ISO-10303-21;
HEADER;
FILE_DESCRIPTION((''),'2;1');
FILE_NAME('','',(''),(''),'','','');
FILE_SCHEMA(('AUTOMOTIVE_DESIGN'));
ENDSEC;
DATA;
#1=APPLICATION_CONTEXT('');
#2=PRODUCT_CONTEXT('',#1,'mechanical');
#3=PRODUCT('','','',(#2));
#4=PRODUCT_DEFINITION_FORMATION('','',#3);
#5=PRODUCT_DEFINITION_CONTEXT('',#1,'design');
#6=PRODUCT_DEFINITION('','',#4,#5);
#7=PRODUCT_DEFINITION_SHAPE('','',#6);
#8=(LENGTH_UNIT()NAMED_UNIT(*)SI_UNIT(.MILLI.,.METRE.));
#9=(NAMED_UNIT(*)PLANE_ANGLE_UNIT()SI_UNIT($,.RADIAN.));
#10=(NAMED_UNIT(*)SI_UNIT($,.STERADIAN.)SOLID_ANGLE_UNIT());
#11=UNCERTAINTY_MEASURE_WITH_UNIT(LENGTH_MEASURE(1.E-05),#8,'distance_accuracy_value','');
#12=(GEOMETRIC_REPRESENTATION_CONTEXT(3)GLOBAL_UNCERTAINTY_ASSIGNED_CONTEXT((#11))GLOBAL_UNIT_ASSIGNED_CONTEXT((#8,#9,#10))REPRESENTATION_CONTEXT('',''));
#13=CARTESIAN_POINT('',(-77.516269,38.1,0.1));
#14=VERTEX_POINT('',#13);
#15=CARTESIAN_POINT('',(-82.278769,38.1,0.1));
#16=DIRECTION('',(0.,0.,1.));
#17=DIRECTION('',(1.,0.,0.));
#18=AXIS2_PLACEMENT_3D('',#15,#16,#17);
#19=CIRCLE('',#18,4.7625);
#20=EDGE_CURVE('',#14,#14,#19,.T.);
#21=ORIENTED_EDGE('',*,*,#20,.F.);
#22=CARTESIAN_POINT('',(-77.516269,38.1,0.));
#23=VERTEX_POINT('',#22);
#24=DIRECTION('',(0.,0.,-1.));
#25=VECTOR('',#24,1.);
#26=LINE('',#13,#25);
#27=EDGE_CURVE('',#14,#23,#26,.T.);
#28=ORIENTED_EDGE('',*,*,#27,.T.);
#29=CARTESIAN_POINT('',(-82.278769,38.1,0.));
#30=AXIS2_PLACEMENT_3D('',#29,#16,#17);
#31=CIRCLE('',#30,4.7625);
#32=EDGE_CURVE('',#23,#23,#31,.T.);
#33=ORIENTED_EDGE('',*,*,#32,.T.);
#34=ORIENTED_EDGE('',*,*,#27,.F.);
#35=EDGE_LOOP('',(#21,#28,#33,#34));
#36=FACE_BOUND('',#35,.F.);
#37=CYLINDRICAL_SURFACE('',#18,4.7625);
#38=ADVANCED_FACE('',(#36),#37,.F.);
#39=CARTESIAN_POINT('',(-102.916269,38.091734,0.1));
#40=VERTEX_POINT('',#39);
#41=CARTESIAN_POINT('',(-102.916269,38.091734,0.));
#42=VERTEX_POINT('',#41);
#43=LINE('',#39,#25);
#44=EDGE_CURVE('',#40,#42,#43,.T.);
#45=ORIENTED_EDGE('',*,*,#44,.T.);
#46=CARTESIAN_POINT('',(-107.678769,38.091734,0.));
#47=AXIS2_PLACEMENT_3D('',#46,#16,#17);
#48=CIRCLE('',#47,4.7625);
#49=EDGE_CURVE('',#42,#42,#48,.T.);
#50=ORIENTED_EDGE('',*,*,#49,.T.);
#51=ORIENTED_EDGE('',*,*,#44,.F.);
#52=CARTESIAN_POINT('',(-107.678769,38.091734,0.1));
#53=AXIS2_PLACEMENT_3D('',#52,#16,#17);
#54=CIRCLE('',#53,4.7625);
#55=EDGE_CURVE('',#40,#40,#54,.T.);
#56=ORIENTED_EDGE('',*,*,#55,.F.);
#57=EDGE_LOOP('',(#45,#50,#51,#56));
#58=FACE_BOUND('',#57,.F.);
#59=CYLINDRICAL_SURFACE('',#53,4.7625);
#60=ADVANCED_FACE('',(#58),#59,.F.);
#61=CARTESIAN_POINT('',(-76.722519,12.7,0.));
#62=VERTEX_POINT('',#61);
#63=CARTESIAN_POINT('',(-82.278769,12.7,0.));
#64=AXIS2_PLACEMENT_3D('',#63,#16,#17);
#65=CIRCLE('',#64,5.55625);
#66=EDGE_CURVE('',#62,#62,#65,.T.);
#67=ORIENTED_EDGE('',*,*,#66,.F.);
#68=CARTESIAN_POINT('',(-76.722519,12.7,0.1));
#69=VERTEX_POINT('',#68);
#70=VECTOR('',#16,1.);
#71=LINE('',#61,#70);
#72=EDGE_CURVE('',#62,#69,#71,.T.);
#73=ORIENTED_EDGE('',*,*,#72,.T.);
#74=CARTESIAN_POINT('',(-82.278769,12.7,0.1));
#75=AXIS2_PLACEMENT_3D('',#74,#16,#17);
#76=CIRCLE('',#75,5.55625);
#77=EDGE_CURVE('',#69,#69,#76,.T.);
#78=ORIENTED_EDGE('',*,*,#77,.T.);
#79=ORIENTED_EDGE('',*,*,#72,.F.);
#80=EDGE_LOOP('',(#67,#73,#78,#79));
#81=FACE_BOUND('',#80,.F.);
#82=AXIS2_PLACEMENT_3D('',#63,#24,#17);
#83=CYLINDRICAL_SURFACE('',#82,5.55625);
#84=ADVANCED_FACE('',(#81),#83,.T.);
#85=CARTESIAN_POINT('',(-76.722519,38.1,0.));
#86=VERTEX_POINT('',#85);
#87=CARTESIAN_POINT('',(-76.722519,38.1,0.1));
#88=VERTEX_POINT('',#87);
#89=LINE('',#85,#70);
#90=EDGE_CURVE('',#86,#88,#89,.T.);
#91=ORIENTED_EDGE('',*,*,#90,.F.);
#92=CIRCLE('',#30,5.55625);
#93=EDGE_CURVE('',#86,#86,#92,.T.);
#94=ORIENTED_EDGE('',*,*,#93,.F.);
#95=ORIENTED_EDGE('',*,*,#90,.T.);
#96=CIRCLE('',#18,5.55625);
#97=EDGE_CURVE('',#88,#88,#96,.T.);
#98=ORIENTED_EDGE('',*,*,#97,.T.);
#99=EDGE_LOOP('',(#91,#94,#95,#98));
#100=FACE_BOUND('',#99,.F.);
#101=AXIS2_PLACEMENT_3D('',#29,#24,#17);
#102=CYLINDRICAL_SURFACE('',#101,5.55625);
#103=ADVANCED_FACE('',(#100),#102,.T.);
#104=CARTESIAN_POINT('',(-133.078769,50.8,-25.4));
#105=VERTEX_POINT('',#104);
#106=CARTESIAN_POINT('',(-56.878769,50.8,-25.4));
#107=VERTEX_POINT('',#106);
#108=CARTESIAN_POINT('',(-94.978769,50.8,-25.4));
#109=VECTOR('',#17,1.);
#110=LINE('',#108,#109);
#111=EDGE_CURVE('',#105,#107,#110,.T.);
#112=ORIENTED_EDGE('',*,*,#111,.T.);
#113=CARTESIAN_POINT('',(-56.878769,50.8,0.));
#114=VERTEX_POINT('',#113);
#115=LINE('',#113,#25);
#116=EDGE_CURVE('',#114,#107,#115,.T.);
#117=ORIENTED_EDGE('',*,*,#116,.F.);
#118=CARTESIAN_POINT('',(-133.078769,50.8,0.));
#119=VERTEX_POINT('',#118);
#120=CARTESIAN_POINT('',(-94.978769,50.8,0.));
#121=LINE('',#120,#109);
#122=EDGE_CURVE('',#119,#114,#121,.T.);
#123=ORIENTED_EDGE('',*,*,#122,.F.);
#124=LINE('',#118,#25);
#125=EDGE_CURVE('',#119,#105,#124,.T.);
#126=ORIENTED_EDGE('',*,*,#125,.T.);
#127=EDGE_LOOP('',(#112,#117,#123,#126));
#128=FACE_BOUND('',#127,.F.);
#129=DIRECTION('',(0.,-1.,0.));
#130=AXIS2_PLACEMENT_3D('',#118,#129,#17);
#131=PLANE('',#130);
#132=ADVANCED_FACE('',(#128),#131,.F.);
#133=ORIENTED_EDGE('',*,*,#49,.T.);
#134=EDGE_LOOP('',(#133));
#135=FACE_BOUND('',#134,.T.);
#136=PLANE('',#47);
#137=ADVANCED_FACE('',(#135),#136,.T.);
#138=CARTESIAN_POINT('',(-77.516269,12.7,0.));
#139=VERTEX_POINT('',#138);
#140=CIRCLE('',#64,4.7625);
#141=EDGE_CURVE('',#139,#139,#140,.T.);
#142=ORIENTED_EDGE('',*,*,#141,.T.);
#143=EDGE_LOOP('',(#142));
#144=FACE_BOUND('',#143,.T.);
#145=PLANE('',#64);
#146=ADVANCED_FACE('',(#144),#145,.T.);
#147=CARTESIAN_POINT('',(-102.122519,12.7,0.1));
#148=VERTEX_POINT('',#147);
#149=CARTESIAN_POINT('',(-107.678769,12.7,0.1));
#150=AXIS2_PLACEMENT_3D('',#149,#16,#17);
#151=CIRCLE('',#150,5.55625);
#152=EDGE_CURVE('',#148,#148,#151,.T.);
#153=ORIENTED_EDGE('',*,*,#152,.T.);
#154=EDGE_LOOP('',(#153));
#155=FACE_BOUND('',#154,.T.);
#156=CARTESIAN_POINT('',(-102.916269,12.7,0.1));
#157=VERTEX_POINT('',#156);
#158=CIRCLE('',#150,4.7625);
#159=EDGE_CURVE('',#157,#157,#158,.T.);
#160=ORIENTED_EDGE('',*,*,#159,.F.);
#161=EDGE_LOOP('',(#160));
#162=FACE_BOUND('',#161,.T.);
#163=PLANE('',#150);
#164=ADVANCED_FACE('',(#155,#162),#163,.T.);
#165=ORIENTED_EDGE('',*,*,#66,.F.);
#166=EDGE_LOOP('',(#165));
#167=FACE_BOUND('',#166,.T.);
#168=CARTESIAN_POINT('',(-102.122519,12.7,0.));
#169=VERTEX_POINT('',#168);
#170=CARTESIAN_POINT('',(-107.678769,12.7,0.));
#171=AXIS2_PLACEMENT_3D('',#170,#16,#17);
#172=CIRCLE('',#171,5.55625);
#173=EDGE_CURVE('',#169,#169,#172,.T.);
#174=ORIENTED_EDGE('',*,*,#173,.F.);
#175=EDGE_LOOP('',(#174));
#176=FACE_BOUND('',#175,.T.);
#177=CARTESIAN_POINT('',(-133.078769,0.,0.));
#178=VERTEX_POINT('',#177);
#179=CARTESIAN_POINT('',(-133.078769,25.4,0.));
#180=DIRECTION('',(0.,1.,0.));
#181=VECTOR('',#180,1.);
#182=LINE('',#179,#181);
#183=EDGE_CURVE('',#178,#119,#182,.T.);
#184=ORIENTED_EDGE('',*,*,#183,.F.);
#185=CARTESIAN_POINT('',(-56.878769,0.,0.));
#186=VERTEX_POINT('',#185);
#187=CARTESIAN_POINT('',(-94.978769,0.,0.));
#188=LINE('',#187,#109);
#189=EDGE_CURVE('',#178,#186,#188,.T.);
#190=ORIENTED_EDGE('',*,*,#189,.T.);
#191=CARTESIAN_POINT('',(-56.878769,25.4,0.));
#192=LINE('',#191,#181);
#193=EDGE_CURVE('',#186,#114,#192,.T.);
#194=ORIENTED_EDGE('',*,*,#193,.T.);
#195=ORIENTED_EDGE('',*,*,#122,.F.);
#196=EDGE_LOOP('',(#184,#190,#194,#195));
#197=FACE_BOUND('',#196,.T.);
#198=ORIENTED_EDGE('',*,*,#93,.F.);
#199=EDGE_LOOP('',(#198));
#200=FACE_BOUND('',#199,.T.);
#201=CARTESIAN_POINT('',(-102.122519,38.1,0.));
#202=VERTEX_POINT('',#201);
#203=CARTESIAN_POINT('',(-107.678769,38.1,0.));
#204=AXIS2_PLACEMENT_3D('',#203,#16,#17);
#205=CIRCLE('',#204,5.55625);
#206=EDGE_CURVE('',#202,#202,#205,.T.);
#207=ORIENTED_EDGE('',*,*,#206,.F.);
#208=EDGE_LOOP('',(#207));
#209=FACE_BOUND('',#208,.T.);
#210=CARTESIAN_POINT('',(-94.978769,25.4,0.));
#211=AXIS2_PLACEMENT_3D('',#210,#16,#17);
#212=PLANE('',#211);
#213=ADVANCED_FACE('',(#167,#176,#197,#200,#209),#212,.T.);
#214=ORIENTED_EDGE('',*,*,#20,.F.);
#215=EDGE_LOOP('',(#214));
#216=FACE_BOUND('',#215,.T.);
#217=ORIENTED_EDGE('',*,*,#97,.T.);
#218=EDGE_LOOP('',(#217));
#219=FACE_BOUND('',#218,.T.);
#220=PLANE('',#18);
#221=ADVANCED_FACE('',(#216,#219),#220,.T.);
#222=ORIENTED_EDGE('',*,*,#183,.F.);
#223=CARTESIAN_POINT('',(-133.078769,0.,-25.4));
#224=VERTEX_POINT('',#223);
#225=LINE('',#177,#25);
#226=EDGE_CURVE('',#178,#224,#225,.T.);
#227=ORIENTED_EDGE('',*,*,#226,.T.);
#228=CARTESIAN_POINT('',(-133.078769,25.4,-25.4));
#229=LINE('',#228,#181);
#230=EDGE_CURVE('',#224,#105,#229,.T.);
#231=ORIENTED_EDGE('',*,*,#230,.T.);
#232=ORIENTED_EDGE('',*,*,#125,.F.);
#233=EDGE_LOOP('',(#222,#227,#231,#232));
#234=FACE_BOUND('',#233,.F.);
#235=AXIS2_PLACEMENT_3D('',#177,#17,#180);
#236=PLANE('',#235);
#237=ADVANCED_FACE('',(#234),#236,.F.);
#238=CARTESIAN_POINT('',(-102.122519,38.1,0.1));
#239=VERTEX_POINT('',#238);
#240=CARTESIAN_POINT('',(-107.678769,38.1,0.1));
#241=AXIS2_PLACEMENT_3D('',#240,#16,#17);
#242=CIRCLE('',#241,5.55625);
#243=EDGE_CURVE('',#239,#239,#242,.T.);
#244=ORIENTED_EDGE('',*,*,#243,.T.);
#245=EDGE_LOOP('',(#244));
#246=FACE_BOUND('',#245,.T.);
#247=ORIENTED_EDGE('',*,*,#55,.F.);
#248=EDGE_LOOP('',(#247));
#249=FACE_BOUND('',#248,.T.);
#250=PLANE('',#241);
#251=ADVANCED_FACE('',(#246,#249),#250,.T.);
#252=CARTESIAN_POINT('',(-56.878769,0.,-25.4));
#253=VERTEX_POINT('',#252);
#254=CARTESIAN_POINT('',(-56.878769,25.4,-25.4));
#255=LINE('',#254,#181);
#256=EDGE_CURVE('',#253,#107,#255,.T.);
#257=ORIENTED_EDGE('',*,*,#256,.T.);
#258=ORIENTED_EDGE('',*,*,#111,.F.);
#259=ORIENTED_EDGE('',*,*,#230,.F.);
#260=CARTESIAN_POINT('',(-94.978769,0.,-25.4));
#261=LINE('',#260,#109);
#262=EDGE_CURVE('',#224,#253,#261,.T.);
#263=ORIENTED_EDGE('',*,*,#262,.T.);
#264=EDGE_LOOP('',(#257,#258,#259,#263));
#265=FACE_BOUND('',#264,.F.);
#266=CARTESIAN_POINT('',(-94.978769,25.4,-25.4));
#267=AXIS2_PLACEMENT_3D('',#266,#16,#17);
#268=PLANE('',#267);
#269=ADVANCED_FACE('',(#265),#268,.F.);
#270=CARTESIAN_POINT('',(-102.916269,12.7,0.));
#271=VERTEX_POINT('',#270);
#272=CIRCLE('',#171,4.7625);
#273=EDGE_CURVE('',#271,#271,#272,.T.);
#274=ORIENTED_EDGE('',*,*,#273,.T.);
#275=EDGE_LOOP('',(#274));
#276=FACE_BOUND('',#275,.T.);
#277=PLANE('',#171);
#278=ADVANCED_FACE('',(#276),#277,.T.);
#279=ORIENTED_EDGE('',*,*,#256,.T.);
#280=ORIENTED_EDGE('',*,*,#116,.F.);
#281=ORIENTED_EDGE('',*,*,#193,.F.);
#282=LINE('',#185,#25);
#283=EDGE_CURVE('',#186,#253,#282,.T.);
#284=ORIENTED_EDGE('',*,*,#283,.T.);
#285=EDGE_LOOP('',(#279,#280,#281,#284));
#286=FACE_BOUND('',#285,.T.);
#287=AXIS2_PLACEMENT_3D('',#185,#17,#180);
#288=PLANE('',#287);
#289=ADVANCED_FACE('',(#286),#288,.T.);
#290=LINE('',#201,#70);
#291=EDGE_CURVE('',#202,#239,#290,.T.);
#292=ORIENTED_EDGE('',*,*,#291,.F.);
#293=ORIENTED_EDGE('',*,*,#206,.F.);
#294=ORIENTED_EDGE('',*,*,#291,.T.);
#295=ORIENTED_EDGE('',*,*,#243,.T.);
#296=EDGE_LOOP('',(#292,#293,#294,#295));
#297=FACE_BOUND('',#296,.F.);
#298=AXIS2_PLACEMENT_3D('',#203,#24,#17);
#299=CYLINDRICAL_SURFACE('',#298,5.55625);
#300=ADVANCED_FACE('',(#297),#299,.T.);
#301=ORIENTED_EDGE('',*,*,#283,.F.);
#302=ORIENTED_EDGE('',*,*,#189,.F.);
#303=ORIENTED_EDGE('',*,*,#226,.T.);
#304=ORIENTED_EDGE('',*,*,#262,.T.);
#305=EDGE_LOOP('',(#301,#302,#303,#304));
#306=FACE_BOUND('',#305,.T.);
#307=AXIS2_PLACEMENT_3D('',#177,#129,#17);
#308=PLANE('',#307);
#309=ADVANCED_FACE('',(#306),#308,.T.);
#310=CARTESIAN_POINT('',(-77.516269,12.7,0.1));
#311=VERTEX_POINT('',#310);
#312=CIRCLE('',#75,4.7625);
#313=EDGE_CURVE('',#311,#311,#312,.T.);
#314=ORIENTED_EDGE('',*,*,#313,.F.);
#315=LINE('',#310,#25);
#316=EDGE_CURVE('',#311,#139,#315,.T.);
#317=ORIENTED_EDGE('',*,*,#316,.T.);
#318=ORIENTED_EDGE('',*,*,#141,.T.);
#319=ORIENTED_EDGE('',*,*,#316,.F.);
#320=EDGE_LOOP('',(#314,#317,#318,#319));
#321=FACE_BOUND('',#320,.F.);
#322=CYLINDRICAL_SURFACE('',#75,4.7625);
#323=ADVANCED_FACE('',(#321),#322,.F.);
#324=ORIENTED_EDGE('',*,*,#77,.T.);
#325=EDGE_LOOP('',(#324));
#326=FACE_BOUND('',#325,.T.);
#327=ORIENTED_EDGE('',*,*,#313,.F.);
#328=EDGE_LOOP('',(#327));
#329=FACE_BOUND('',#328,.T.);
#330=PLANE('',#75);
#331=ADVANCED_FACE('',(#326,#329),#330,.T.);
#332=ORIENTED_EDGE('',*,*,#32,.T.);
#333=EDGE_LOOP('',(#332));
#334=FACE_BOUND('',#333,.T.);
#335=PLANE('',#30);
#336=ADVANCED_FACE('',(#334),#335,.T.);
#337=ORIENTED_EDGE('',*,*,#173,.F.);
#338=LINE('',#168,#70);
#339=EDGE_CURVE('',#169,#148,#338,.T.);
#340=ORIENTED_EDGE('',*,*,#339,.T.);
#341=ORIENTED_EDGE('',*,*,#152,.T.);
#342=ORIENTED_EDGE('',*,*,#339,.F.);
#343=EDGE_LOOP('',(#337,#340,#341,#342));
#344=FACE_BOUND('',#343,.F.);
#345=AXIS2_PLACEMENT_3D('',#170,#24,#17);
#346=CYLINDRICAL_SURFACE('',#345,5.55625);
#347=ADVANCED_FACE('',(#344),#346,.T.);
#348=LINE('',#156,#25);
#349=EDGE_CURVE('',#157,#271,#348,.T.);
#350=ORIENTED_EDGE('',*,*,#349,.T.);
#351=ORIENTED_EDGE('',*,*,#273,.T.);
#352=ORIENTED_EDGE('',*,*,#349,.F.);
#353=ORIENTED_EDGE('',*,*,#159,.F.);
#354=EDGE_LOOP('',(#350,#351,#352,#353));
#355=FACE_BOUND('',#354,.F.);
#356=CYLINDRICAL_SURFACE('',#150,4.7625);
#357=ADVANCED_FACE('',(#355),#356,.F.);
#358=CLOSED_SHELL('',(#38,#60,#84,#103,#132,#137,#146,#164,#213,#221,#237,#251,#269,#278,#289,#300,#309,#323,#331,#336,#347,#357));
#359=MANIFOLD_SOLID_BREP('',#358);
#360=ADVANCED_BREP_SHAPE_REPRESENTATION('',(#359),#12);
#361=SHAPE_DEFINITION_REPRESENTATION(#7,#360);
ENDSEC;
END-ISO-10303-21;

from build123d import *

# Parameters (mm, degrees)
F0_W     = 76.2
F0_H     = 50.8
F1_DEPTH = 25.4
F2_R     = 5.55625
F3_DEPTH = 0.1
F4_R     = 4.7625
F5_DEPTH = 0.1


with BuildPart() as f1:
    # F0 (on Top) → F1 (new body)
    with BuildSketch(Plane.XY):
        with Locations((-94.978769, 25.4)):
            Rectangle(F0_W, F0_H)
    extrude(amount=-F1_DEPTH)

    # F2 (on face) → F3 (join)
    with BuildSketch(Plane.XY):
        with Locations((-107.678769, 38.1)):
            Circle(F2_R)
        with Locations((-82.278769, 38.1)):
            Circle(F2_R)
        with Locations((-107.678769, 12.7)):
            Circle(F2_R)
        with Locations((-82.278769, 12.7)):
            Circle(F2_R)
    extrude(amount=F3_DEPTH)

    # F4 (on face) → F5 (cut)
    with BuildSketch(Plane.XY.offset(0.1)):
        with Locations((-107.678769, 38.091734)):
            Circle(F4_R)
        with Locations((-82.278769, 38.1)):
            Circle(F4_R)
        with Locations((-107.678769, 12.7)):
            Circle(F4_R)
        with Locations((-82.278769, 12.7)):
            Circle(F4_R)
    extrude(amount=-F5_DEPTH, mode=Mode.SUBTRACT)


solid = f1.part
